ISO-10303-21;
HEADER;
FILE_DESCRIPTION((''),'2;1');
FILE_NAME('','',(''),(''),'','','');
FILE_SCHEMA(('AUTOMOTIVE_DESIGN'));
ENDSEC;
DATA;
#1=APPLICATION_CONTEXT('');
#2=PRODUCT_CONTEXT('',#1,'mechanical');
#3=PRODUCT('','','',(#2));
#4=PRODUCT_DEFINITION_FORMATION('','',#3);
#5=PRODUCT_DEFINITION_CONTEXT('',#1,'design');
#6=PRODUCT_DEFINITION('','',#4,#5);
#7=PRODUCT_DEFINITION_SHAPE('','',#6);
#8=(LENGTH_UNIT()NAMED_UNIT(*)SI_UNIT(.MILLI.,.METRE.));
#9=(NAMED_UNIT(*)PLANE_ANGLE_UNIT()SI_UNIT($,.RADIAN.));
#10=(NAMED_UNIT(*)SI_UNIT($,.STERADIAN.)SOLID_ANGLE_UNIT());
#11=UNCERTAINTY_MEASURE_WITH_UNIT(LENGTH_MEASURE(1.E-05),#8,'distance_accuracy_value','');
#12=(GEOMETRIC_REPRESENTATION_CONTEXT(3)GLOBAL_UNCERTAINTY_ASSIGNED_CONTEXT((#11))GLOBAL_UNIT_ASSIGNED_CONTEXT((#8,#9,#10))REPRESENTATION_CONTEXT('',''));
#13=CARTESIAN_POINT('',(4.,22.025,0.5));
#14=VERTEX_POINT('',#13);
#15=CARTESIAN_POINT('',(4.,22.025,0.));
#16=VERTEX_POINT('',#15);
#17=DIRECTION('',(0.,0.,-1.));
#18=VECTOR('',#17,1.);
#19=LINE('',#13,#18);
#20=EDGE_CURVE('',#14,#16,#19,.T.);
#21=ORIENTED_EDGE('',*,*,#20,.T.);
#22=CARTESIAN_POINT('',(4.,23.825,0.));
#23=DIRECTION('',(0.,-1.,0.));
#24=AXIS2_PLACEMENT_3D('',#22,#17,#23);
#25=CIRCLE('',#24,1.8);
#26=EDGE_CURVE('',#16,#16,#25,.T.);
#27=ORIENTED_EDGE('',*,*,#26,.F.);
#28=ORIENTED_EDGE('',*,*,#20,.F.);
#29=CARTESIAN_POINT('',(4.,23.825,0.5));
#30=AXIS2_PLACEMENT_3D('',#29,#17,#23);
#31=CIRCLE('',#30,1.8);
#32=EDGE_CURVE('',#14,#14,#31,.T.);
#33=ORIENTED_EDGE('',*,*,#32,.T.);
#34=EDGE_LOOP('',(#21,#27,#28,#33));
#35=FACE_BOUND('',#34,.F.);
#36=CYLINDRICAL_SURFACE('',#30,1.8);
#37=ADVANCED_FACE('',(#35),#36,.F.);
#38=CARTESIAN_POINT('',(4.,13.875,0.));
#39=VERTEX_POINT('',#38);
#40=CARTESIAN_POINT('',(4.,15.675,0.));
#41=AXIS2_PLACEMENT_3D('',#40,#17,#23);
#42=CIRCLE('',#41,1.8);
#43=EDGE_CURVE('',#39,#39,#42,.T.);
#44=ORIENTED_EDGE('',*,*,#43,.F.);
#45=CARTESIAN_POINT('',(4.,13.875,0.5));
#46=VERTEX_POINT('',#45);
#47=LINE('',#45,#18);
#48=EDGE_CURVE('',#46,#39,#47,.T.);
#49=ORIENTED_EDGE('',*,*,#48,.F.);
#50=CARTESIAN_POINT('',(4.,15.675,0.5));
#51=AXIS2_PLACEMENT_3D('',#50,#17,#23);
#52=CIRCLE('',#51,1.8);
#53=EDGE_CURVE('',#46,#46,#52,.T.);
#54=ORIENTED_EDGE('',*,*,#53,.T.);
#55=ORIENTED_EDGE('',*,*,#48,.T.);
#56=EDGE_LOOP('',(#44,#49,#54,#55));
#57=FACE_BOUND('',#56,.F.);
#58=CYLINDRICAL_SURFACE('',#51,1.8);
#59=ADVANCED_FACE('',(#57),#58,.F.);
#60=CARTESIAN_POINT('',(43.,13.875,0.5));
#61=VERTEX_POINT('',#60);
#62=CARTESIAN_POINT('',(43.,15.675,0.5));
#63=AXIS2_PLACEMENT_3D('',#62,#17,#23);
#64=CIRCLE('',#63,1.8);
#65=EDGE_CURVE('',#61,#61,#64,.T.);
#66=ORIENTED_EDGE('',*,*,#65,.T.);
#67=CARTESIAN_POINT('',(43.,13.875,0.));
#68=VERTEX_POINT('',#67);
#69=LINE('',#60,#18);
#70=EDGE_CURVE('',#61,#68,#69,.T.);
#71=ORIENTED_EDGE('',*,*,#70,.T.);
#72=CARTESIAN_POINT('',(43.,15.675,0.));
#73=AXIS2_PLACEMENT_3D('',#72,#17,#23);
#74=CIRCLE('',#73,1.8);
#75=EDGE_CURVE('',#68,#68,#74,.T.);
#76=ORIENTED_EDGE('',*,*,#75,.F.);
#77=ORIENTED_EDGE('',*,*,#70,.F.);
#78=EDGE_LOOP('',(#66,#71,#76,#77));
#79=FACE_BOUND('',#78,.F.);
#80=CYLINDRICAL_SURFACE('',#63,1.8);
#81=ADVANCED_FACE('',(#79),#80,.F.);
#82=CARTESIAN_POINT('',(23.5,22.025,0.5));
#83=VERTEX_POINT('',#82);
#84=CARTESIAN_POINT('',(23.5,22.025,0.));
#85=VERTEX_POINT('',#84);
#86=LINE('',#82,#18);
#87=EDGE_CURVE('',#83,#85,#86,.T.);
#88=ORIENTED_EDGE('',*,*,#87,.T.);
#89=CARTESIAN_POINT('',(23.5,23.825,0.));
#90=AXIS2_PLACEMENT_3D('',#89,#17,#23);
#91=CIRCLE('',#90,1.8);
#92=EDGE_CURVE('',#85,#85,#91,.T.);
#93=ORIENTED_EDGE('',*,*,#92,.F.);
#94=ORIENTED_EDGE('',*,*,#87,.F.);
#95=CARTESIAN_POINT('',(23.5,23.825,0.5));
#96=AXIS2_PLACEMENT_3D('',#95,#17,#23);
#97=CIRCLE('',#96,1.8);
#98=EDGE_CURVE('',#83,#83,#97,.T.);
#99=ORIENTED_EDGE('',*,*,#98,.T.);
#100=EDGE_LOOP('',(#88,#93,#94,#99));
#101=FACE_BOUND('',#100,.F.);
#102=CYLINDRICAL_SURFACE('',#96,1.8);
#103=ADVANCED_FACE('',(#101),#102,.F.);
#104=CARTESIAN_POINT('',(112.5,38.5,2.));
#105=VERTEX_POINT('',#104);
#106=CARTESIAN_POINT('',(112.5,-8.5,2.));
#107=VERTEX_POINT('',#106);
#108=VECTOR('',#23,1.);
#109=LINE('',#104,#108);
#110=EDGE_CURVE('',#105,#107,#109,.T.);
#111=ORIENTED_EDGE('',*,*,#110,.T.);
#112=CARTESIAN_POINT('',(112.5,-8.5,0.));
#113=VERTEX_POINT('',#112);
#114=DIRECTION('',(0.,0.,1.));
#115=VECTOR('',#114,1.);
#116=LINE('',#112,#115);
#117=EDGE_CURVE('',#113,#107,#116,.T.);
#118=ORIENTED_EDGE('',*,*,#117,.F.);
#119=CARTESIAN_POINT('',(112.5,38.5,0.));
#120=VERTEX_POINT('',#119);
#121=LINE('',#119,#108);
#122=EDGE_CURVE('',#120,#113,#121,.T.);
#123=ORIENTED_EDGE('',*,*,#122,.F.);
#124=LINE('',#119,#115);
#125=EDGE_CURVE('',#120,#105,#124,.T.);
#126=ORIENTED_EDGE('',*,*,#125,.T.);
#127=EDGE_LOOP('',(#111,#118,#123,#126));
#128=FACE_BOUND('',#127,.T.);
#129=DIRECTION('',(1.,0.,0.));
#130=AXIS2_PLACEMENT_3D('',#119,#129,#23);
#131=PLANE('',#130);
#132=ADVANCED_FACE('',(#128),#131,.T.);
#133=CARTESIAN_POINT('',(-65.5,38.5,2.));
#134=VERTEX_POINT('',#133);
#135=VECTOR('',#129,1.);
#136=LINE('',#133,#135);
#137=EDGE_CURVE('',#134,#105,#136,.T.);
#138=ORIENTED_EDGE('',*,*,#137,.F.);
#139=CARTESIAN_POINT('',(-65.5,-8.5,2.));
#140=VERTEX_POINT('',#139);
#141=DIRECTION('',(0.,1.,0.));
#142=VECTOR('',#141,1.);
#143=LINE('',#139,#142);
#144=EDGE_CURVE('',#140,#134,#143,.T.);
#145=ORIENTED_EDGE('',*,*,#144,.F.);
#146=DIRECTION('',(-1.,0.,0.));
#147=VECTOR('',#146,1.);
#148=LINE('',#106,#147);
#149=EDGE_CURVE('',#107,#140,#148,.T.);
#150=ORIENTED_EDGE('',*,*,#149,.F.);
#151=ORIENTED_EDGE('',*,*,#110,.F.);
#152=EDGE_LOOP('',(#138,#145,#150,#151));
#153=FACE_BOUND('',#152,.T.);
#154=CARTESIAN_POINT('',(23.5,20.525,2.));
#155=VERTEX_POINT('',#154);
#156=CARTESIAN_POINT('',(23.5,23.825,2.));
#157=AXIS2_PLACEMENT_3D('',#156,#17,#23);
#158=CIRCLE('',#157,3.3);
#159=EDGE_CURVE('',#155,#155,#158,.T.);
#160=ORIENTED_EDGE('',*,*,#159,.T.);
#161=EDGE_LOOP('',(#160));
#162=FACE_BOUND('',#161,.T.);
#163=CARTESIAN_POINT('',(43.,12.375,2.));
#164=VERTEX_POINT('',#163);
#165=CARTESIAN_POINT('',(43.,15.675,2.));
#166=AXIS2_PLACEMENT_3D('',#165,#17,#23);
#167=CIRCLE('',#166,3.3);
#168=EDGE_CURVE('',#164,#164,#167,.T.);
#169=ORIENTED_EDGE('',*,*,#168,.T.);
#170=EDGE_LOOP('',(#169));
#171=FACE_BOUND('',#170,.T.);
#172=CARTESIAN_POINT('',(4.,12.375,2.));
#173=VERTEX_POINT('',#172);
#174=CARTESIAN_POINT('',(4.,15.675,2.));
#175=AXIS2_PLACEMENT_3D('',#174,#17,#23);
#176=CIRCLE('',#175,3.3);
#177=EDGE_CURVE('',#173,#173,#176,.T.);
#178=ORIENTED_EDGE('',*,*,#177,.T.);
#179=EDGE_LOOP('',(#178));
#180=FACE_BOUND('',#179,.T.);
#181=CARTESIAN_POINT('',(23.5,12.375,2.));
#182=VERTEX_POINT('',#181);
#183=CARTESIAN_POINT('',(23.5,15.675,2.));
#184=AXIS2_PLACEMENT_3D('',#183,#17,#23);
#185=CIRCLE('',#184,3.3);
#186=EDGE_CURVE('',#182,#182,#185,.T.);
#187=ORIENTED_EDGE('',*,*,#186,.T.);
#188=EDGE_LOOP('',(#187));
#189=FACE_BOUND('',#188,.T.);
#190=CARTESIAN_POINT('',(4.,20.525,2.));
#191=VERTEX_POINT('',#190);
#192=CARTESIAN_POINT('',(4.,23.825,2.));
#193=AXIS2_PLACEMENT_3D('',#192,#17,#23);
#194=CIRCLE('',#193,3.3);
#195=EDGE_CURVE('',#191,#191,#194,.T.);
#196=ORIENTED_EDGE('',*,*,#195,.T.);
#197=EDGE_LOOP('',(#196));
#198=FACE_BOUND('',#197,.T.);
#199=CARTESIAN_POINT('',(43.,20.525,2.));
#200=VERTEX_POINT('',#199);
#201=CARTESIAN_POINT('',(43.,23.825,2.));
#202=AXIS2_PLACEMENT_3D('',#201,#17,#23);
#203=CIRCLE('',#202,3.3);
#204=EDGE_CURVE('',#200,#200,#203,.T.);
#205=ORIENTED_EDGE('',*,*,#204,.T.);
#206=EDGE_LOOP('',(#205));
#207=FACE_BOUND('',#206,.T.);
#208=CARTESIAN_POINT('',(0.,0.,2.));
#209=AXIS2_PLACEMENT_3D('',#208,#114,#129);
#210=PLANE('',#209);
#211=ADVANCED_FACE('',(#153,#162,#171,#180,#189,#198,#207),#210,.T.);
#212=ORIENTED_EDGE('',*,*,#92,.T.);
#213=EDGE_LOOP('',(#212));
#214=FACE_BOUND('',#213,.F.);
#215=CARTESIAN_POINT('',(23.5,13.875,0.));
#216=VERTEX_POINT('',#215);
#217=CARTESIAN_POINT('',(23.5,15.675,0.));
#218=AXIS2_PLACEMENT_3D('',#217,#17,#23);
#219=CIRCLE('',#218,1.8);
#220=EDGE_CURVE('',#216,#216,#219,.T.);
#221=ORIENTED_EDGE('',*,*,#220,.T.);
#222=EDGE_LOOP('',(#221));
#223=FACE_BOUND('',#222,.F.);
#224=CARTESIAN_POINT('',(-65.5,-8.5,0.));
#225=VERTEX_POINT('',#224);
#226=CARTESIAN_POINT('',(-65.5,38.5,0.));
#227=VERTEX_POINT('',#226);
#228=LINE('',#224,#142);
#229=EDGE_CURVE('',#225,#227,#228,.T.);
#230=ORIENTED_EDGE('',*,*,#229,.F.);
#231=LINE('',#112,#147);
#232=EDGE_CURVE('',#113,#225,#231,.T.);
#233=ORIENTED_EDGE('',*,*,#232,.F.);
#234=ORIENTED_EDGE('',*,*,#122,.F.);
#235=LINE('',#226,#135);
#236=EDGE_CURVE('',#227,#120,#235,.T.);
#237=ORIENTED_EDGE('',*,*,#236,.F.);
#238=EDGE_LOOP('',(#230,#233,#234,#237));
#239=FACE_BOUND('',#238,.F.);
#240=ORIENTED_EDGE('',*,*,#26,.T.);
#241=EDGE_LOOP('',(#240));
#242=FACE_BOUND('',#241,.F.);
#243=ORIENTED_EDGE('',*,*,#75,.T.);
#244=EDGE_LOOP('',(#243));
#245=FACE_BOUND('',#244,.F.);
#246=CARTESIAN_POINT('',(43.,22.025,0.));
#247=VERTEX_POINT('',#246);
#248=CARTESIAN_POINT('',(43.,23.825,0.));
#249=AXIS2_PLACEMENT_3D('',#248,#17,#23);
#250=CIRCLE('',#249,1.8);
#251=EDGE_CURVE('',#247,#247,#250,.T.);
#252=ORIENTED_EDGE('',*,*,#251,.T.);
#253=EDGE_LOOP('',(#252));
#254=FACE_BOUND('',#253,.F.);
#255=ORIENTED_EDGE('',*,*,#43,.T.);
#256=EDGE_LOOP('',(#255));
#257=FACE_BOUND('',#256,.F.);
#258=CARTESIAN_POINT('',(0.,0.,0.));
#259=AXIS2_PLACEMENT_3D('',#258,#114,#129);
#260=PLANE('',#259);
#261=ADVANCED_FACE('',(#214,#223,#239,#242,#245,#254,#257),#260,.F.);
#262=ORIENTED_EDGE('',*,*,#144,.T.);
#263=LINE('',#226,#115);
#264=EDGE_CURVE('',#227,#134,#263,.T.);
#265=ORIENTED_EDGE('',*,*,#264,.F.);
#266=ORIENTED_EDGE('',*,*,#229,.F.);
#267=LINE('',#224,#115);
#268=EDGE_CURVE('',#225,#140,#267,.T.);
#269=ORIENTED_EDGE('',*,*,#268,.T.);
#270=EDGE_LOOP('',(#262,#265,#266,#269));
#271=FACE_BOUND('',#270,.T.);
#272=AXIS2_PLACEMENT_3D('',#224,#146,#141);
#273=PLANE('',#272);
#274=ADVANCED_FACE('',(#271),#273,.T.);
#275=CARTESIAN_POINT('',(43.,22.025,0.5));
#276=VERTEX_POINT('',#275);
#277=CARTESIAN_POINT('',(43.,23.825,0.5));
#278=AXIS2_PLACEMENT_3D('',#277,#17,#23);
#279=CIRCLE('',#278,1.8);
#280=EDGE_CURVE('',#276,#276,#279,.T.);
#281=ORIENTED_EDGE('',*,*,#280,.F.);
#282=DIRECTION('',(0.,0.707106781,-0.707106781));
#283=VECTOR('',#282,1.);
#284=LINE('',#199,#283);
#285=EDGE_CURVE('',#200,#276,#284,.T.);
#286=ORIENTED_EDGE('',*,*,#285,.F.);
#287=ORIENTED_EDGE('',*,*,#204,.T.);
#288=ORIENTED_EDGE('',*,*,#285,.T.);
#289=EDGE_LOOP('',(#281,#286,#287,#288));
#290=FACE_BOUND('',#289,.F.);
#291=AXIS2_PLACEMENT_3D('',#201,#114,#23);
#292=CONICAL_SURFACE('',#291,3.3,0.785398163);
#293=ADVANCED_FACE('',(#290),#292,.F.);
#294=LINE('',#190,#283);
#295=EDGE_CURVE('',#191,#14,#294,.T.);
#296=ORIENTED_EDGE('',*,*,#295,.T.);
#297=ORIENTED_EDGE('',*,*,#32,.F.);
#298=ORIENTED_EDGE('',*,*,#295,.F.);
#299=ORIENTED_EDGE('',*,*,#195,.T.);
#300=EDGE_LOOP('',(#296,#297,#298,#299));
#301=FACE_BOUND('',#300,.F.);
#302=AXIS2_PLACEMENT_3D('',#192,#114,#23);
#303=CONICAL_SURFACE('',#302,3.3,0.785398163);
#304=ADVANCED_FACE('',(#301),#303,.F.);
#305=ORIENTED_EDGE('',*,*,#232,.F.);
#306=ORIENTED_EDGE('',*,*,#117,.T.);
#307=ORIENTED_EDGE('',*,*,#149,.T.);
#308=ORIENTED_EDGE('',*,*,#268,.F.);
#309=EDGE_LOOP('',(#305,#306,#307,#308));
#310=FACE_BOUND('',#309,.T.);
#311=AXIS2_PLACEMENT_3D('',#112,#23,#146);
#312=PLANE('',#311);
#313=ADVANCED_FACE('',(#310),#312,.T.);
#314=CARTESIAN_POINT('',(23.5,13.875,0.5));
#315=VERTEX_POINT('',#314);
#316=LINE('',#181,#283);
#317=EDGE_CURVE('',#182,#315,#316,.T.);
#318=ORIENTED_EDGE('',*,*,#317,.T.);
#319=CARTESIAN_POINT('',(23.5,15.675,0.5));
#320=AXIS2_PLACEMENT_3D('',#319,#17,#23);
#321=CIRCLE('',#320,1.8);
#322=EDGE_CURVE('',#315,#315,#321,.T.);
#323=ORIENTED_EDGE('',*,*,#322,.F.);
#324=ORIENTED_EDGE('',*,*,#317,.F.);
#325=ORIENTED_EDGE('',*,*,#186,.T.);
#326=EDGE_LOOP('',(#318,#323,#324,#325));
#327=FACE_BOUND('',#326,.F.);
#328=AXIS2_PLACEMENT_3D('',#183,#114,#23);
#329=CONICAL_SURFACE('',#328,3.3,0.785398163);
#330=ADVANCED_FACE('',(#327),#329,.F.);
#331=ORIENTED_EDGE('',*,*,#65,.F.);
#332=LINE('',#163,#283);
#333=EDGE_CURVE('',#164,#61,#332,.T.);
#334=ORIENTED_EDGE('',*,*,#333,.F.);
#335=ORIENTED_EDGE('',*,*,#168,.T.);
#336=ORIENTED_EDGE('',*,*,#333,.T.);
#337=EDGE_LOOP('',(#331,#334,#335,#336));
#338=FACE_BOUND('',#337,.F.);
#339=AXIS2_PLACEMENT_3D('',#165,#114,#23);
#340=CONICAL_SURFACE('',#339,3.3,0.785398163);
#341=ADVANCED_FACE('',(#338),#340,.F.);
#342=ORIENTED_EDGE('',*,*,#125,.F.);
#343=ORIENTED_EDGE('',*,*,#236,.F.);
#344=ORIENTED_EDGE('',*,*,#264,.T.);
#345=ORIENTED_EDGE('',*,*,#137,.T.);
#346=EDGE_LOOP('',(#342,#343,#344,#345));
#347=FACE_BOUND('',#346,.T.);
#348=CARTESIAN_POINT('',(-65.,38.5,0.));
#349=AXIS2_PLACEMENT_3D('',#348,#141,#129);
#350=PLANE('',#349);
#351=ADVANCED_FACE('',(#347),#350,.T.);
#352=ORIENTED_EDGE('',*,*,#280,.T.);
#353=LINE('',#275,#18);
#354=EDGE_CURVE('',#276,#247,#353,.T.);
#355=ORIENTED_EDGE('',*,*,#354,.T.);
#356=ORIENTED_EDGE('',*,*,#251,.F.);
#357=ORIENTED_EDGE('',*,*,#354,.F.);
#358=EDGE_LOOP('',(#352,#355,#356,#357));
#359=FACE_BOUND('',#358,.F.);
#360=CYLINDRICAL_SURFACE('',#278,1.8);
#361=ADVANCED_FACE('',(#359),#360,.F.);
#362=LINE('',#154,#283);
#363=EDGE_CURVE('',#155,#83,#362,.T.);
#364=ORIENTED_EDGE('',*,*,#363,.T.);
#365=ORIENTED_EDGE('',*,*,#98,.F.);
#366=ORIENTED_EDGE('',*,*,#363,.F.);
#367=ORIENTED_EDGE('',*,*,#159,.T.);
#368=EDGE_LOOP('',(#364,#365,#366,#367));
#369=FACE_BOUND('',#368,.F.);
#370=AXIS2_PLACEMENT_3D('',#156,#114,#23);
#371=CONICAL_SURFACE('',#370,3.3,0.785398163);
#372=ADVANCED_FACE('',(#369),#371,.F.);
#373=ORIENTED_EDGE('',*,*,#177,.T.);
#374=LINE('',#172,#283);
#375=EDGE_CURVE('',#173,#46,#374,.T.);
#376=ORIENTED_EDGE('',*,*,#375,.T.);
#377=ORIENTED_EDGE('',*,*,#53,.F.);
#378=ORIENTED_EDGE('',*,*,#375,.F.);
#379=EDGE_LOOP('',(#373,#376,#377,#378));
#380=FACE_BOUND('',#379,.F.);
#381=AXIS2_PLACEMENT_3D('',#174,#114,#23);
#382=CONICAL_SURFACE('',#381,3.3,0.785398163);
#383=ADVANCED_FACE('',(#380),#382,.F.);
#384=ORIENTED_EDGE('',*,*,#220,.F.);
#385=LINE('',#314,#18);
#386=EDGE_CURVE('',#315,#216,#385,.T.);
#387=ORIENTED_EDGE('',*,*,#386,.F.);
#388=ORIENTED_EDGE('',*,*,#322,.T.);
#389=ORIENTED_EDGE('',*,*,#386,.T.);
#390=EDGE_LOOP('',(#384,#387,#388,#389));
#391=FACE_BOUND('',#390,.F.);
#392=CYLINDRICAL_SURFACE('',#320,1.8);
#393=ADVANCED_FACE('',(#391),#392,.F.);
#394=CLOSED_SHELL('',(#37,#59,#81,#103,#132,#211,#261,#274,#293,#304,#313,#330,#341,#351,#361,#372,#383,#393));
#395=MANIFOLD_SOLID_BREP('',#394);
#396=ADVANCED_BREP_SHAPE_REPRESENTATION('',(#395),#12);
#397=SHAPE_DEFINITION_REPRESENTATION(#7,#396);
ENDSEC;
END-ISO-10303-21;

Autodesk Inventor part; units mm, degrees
ref_plane "YZ Plane" through (0, 0, 0) normal (1, 0, 0) x (0, 1, 0)
ref_plane "XZ Plane" through (0, 0, 0) normal (0, 1, 0) x (-1, 0, 0)
ref_plane "XY Plane" through (0, 0, 0) normal (0, 0, 1) x (1, 0, 0)
ref_plane "Work Plane1" through (0, 0, 0) normal (0, 0, 1) x (1, 0, 0)
sketch "Sketch1" plane through (0, 0, 0) normal (0, 0, 1) x (1, 0, 0)
  line L0 (0, 0) -> (47, 0) projected
  line L1 (47, 0) -> (47, 3) projected
  line L2 (0, 3) -> (47, 3) projected
  line L3 (0, 0) -> (0, 3) projected
  line L4 (-65.5, 38.5) -> (112.5, 38.5)
  line L5 (112.5, 38.5) -> (112.5, -8.5)
  line L6 (112.5, -8.5) -> (-65.5, -8.5)
  line L7 (-65.5, -8.5) -> (-65.5, 38.5)
  line L8 (-65, -11.5) -> (-65, 38.5) projected
  point P0 (23.5, 0)
  dimension "d0" = 178
  dimension "d1" = 89
  dimension "d2" = 89
  dimension "d3" = 0
  dimension "d13" = 3
extrude "Extrusion1" add sketch "Sketch1" along normal blind 2 contours L3 L2 L1 L0 | L4 L8 L6 L7 | L4 L5 L6 L8
sketch "Sketch2" plane through (0, 0, 2) normal (0, 0, 1) x (1, 0, 0)
  circle A0 centre (4, 23.825) radius 2.3 projected
  circle A1 centre (4, 15.675) radius 2.3 projected
  line L0 (7, 36.5) -> (1, 36.5) projected
  line L1 (1, 3) -> (1, 36.5) projected
  line L2 (1, 3) -> (7, 3) projected
  line L3 (7, 3) -> (7, 36.5) projected
  circle A2 centre (23.5, 23.825) radius 2.3 projected
  circle A3 centre (23.5, 15.675) radius 2.3 projected
  line L4 (28, 36.5) -> (19, 36.5) projected
  line L5 (19, 3) -> (19, 36.5) projected
  line L6 (19, 3) -> (28, 3) projected
  line L7 (28, 3) -> (28, 36.5) projected
  circle A4 centre (43, 23.825) radius 2.3 projected
  circle A5 centre (43, 15.675) radius 2.3 projected
  line L8 (46, 36.5) -> (40, 36.5) projected
  line L9 (40, 3) -> (40, 36.5) projected
  line L10 (40, 3) -> (46, 3) projected
  line L11 (46, 3) -> (46, 36.5) projected
  point P0 (0, 0)
hole "Hole1" at (4, 23.825, 2) at (4, 15.675, 2) at (23.5, 15.675, 2) at (23.5, 23.825, 2) at (43, 23.825, 2) at (43, 15.675, 2) direction (0, 0, -1) diameter 3.6 end through all countersink diameter 6.6 countersink angle 90 clearance for "Countersunk Flat Head Screw ISO 2009/7046" size "M3" standard "ISO"
equation "\"d1\" = d2"
properties part number "back" material "Aluminum 6061"
